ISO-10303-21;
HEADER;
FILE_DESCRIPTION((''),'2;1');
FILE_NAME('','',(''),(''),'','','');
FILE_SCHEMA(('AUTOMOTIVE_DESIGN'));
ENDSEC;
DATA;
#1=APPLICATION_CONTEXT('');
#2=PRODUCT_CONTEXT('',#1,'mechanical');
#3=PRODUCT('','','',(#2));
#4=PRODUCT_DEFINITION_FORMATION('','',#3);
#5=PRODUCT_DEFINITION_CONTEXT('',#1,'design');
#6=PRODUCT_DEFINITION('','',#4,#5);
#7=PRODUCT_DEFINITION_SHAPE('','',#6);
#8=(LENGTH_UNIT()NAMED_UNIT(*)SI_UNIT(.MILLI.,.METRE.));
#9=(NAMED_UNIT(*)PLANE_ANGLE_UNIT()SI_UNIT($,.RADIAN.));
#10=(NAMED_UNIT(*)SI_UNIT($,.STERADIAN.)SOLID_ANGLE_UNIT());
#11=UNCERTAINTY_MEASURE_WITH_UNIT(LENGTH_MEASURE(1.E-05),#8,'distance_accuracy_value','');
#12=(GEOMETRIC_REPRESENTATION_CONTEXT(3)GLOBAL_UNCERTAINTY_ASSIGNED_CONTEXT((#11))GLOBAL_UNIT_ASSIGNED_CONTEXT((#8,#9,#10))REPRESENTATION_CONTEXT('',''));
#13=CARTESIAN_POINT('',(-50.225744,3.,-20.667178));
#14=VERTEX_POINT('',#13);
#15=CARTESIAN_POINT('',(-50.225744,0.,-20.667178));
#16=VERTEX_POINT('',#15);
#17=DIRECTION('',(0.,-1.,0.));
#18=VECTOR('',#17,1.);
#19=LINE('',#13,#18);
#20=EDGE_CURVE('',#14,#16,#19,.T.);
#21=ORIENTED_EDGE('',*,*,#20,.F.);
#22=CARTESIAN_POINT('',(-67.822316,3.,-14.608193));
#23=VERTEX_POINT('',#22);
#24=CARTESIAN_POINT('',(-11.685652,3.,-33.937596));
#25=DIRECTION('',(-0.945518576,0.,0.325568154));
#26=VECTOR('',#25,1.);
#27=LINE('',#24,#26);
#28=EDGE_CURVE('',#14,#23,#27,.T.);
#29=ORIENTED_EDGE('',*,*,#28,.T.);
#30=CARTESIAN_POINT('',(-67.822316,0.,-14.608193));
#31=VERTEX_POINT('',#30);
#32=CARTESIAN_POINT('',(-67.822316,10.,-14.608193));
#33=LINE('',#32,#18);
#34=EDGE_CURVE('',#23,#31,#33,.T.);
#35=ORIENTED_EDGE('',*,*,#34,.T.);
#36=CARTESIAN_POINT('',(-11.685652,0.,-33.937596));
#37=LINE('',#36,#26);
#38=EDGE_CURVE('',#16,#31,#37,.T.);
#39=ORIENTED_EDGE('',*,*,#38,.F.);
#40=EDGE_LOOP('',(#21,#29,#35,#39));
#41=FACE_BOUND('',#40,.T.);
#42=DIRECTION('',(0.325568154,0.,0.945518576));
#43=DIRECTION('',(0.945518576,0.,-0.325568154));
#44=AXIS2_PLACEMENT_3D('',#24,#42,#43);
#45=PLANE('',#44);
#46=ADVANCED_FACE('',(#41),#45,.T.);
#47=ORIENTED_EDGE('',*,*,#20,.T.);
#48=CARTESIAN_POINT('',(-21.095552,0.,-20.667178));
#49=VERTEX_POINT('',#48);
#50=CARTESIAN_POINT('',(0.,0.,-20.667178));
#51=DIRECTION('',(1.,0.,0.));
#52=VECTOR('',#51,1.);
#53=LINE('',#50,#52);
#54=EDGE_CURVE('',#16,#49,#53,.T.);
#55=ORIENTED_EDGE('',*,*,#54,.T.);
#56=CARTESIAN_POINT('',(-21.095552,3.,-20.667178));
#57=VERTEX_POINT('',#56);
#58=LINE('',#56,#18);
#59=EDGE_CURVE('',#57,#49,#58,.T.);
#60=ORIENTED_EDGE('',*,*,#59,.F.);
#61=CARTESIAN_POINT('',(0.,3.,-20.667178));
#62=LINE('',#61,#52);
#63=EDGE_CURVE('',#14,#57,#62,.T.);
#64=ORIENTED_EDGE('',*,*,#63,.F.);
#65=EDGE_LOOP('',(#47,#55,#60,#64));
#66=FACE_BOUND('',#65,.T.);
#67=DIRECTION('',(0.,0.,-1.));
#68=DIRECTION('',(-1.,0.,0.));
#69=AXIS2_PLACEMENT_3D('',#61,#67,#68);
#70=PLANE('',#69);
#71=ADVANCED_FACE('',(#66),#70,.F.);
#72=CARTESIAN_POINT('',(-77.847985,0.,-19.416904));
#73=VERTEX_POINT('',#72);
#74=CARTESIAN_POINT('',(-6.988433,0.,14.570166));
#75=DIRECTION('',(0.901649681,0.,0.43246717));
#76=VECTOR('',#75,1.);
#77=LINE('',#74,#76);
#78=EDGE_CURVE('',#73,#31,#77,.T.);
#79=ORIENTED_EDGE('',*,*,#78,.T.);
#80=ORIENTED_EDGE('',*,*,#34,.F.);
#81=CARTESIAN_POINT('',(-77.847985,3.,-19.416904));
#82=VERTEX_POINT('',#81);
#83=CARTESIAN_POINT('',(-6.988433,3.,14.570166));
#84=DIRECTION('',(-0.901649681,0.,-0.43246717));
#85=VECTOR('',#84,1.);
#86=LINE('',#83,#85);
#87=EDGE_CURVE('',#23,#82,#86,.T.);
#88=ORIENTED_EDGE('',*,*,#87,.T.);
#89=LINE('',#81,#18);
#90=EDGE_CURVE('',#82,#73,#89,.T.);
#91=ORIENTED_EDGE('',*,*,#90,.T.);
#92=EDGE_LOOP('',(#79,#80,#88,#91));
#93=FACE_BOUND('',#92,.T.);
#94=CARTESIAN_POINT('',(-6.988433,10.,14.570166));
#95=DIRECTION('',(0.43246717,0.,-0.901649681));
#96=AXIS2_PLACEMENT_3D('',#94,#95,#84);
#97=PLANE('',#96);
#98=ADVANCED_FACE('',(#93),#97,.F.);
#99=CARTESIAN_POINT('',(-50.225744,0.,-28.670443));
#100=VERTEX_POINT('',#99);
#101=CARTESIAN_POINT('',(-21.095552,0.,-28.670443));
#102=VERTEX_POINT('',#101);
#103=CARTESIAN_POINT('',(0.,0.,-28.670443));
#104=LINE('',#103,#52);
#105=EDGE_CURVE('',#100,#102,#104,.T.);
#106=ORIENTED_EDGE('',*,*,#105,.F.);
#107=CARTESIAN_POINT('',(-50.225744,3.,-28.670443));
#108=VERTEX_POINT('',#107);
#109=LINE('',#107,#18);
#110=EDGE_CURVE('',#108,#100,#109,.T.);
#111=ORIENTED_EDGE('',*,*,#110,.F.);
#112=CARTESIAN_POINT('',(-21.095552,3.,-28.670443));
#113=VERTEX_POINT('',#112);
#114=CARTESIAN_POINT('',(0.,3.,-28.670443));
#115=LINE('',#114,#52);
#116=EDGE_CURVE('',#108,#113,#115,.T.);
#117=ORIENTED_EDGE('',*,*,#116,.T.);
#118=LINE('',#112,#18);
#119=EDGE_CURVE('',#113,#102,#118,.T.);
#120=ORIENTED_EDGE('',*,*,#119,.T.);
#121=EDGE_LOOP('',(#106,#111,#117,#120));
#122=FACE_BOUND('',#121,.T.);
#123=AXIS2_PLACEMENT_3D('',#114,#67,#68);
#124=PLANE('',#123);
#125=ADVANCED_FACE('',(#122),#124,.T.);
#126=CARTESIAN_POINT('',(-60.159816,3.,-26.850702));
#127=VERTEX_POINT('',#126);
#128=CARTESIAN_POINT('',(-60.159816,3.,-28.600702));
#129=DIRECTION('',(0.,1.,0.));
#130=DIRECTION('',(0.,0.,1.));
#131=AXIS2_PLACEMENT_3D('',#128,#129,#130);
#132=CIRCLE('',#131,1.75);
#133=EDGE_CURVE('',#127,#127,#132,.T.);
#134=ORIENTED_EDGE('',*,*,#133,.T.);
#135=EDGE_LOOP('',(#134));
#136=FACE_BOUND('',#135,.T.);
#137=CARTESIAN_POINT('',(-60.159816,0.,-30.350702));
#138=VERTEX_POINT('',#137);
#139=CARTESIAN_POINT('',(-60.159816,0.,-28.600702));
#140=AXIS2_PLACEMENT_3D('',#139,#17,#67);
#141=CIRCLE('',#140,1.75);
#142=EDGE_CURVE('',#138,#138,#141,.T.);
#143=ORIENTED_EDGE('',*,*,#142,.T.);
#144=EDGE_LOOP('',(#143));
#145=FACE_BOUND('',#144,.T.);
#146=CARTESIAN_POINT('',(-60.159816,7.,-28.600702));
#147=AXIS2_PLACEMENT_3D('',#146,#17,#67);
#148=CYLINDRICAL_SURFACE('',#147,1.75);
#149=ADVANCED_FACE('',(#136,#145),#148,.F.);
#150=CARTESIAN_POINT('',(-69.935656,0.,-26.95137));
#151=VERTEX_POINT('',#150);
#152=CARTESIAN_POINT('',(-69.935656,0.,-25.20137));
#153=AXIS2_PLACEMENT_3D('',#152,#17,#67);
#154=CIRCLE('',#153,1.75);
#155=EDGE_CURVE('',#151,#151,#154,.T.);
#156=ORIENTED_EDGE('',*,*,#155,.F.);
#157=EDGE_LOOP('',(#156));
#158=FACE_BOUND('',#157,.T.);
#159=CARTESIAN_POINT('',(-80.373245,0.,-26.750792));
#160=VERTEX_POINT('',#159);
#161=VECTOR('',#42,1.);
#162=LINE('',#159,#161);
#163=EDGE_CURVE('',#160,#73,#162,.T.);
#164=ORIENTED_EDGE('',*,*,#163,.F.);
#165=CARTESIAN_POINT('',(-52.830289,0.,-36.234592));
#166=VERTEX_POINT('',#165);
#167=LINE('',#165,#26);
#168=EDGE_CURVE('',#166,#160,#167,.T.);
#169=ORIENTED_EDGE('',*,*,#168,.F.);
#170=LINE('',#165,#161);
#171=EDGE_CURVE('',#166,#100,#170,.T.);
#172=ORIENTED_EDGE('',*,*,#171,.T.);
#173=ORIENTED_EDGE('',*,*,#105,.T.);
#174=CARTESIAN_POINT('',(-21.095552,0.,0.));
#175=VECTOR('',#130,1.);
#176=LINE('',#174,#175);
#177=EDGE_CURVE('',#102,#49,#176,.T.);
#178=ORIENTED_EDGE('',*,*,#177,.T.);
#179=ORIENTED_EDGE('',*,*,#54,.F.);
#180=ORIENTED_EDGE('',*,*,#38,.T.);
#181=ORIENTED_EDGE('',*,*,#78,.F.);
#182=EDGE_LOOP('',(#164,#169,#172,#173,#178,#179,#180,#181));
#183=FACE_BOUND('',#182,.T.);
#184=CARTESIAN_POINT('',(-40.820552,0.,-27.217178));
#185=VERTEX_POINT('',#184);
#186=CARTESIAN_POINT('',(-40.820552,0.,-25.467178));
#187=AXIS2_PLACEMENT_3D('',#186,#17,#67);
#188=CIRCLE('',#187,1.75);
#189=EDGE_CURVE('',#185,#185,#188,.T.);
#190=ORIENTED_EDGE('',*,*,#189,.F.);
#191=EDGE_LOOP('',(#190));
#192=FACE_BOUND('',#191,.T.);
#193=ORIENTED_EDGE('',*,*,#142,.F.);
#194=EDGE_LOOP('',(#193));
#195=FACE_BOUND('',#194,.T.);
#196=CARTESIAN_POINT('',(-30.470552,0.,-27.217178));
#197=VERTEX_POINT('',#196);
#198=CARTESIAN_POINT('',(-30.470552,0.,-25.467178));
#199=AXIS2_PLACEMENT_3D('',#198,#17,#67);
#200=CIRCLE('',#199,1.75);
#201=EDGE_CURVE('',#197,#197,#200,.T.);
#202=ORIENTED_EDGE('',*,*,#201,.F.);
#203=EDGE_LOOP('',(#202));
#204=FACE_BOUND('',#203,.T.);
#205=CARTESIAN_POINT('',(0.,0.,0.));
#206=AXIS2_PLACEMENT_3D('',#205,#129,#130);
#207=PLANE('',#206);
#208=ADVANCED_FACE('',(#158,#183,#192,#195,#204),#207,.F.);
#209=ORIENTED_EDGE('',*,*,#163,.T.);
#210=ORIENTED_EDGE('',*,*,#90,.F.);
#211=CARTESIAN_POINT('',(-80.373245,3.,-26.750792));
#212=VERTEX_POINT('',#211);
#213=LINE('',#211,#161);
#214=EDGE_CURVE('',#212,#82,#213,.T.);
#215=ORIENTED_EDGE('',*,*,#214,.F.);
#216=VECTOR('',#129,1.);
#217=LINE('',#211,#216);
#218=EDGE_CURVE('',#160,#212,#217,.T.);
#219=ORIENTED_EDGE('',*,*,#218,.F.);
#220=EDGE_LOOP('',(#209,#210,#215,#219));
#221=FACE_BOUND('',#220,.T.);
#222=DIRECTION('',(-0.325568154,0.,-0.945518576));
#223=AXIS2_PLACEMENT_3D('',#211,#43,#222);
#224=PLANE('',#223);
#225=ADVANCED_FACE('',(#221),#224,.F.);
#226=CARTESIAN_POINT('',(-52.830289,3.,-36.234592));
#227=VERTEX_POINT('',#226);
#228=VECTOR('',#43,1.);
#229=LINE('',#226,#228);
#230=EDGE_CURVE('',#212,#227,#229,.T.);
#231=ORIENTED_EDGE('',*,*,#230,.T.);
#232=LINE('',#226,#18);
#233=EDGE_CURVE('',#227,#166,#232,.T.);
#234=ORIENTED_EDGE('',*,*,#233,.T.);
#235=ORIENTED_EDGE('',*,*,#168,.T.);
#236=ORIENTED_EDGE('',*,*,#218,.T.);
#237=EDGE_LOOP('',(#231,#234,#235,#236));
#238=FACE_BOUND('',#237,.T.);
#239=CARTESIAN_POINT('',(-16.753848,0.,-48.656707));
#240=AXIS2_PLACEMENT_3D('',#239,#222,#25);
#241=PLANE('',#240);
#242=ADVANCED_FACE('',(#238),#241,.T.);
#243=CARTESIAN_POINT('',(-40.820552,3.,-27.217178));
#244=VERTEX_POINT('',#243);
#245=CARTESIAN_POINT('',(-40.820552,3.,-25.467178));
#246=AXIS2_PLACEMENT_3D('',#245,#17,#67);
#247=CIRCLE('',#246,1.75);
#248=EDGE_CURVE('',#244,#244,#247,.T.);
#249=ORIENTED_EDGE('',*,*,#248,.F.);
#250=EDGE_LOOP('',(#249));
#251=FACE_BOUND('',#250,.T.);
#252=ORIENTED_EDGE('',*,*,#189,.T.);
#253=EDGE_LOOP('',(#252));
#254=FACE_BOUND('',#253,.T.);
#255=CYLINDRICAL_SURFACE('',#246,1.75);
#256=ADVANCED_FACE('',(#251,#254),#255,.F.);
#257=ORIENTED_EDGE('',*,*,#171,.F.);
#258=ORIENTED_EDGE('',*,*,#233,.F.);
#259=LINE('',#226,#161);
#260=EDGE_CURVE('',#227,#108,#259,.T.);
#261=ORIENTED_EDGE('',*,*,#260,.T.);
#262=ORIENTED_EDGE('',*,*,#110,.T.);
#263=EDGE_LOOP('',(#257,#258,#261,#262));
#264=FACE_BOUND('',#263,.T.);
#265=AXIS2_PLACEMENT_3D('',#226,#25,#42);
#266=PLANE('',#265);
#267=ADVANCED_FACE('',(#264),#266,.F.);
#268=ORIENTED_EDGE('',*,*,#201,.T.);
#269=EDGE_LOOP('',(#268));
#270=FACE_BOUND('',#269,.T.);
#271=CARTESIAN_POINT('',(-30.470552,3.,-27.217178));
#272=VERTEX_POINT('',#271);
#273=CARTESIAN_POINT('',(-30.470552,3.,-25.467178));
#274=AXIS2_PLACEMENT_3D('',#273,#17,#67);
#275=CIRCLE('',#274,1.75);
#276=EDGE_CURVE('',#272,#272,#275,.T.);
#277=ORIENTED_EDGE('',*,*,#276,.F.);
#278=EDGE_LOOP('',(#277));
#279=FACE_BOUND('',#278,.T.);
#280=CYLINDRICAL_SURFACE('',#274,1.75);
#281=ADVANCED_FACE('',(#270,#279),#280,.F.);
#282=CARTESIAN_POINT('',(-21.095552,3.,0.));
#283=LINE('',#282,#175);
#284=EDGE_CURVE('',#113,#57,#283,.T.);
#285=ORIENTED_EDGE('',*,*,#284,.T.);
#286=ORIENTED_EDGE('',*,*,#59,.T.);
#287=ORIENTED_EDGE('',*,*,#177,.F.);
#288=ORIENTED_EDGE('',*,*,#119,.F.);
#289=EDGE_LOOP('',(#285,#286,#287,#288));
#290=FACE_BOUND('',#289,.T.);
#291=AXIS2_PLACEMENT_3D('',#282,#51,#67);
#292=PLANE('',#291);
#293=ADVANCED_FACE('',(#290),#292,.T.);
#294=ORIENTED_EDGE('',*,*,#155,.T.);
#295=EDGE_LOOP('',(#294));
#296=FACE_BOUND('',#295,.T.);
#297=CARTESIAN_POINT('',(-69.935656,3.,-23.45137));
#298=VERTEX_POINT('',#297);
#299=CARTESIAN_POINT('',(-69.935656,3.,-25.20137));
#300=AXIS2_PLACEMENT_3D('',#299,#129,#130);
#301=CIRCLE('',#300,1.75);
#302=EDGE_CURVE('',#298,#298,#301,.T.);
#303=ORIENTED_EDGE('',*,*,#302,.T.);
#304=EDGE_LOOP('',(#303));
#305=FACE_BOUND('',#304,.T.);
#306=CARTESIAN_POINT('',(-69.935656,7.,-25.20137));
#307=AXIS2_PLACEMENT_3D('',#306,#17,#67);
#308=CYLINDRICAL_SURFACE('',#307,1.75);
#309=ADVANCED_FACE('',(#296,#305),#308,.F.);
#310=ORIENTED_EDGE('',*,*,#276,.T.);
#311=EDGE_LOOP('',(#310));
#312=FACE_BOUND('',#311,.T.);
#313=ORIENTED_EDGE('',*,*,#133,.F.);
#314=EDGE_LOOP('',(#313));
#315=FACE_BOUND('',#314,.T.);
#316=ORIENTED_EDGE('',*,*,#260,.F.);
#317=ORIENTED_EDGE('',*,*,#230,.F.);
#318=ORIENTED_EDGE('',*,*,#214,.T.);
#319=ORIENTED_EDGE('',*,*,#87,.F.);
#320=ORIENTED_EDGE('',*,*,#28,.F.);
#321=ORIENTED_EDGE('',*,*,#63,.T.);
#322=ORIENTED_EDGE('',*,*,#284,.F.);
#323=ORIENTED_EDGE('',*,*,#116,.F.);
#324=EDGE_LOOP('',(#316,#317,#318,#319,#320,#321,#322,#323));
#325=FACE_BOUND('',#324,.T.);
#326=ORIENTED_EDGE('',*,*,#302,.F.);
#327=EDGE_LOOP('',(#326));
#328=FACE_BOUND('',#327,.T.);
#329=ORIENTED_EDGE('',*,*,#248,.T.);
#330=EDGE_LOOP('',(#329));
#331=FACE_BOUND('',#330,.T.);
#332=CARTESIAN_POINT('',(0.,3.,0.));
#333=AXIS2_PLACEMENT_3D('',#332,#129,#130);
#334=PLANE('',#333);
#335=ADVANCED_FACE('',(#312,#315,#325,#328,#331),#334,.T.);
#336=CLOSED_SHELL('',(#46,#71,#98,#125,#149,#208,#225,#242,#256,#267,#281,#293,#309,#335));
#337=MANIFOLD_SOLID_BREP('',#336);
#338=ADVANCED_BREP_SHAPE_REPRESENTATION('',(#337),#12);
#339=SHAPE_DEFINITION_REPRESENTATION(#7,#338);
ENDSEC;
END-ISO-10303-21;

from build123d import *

# Parameters (mm, degrees)
SKETCH2_W           = 29.13019228
SKETCH2_H           = 8.0032651
BOSS_EXTRUDE1_DEPTH = 3
SKETCH3_R           = 1.75
CUT_EXTRUDE1_DEPTH  = 3
SKETCH5_W           = 29.13
SKETCH5_H           = 3
BOSS_EXTRUDE2_DEPTH = 8
SKETCH6_R           = 1.75
CUT_EXTRUDE3_DEPTH  = 7
CUT_EXTRUDE4_DEPTH  = 5
CUT_EXTRUDE5_DEPTH  = 3
CUT_EXTRUDE7_DEPTH  = 10


with BuildPart() as part:
    # Sketch2 → Boss-Extrude1 (new body)
    with BuildSketch(Plane(origin=(0, 0, 0), x_dir=(1, 0, 0), z_dir=(0, 1, 0))):
        Polygon((-50.225743969, 28.670443259), (-77.768700077, 19.18664292), (-77.768700077, 11.18337782), (-50.225743969, 20.667178159), align=None)
        with Locations((-35.660647829, 24.668810709)):
            Rectangle(SKETCH2_W, SKETCH2_H)
    extrude(amount=BOSS_EXTRUDE1_DEPTH)

    # Sketch3 → Cut-Extrude1 (cut)
    with BuildSketch(Plane.XZ):
        with Locations(Location((-30.470551689, -25.467178146, 0), (0, 0, 270))):
            Circle(SKETCH3_R)
        with Locations(Location((-40.820551689, -25.467178146, 0), (0, 0, 270))):
            Circle(SKETCH3_R)
    extrude(amount=-CUT_EXTRUDE1_DEPTH, mode=Mode.SUBTRACT)

    # Sketch5 → Boss-Extrude2 (add)
    with BuildSketch(Plane(origin=(-14.149302504, 0, -41.092558245), x_dir=(-0.9455185755993176, 0, 0.32556815445715426), z_dir=(-0.32556815445715426, 0, -0.9455185755993176))):
        with Locations((52.720190597, 1.5)):
            Rectangle(SKETCH5_W, SKETCH5_H)
    extrude(amount=BOSS_EXTRUDE2_DEPTH)

    # Sketch6 → Cut-Extrude3 (cut)
    with BuildSketch(Plane.XZ):
        with Locations(Location((-69.935655683, -25.201370089, 0), (0, 0, 270))):
            Circle(SKETCH6_R)
        with Locations(Location((-60.159815933, -28.600701946, 0), (0, 0, 270))):
            Circle(SKETCH6_R)
    extrude(amount=-CUT_EXTRUDE3_DEPTH, mode=Mode.SUBTRACT)

    # Sketch7 → Cut-Extrude4 (cut)
    with BuildSketch(Plane.XZ):
        Polygon((-77.768700077, -19.18664292), (-75.305049077, -12.031680889), (-77.768700077, -11.18337782), align=None)
    extrude(amount=-CUT_EXTRUDE4_DEPTH, mode=Mode.SUBTRACT)

    # Sketch9 → Cut-Extrude5 (cut)
    with BuildSketch(Plane.XZ):
        with BuildLine():
            Line((-75.305049077, -12.031680889), (-77.847985202, -19.416903645))
            add(Edge.make_bspline(
                [(-69.0352228, -14.190555206), (-74.086749011, -15.68616926), (-77.847985202, -19.416903645)],
                knots=[0, 0, 0, 1, 1, 1], degree=2))
            Line((-69.0352228, -14.190555206), (-75.305049077, -12.031680889))
        make_face()
    extrude(amount=-CUT_EXTRUDE5_DEPTH, mode=Mode.SUBTRACT)

    # Sketch10 → Cut-Extrude7 (cut)
    with BuildSketch(Plane.XZ):
        with BuildLine():
            Line((-75.305049077, -12.031680889), (-77.847985202, -19.416903645))
            add(Edge.make_bspline(
                [(-69.0352228, -14.190555206), (-74.086749011, -15.68616926), (-77.847985202, -19.416903645)],
                knots=[0, 0, 0, 1, 1, 1], degree=2))
            Line((-69.0352228, -14.190555206), (-75.305049077, -12.031680889))
        make_face()
        with BuildLine():
            add(Edge.make_bspline(
                [(-69.0352228, -14.190555206), (-74.086749011, -15.68616926), (-77.847985202, -19.416903645)],
                knots=[0, 0, 0, 1, 1, 1], degree=2))
            Line((-77.847985202, -19.416903645), (-67.8223159, -14.608192544))
            Line((-67.8223159, -14.608192544), (-69.0352228, -14.190555206))
        make_face()
    extrude(amount=-CUT_EXTRUDE7_DEPTH, mode=Mode.SUBTRACT)


solid = part.part
